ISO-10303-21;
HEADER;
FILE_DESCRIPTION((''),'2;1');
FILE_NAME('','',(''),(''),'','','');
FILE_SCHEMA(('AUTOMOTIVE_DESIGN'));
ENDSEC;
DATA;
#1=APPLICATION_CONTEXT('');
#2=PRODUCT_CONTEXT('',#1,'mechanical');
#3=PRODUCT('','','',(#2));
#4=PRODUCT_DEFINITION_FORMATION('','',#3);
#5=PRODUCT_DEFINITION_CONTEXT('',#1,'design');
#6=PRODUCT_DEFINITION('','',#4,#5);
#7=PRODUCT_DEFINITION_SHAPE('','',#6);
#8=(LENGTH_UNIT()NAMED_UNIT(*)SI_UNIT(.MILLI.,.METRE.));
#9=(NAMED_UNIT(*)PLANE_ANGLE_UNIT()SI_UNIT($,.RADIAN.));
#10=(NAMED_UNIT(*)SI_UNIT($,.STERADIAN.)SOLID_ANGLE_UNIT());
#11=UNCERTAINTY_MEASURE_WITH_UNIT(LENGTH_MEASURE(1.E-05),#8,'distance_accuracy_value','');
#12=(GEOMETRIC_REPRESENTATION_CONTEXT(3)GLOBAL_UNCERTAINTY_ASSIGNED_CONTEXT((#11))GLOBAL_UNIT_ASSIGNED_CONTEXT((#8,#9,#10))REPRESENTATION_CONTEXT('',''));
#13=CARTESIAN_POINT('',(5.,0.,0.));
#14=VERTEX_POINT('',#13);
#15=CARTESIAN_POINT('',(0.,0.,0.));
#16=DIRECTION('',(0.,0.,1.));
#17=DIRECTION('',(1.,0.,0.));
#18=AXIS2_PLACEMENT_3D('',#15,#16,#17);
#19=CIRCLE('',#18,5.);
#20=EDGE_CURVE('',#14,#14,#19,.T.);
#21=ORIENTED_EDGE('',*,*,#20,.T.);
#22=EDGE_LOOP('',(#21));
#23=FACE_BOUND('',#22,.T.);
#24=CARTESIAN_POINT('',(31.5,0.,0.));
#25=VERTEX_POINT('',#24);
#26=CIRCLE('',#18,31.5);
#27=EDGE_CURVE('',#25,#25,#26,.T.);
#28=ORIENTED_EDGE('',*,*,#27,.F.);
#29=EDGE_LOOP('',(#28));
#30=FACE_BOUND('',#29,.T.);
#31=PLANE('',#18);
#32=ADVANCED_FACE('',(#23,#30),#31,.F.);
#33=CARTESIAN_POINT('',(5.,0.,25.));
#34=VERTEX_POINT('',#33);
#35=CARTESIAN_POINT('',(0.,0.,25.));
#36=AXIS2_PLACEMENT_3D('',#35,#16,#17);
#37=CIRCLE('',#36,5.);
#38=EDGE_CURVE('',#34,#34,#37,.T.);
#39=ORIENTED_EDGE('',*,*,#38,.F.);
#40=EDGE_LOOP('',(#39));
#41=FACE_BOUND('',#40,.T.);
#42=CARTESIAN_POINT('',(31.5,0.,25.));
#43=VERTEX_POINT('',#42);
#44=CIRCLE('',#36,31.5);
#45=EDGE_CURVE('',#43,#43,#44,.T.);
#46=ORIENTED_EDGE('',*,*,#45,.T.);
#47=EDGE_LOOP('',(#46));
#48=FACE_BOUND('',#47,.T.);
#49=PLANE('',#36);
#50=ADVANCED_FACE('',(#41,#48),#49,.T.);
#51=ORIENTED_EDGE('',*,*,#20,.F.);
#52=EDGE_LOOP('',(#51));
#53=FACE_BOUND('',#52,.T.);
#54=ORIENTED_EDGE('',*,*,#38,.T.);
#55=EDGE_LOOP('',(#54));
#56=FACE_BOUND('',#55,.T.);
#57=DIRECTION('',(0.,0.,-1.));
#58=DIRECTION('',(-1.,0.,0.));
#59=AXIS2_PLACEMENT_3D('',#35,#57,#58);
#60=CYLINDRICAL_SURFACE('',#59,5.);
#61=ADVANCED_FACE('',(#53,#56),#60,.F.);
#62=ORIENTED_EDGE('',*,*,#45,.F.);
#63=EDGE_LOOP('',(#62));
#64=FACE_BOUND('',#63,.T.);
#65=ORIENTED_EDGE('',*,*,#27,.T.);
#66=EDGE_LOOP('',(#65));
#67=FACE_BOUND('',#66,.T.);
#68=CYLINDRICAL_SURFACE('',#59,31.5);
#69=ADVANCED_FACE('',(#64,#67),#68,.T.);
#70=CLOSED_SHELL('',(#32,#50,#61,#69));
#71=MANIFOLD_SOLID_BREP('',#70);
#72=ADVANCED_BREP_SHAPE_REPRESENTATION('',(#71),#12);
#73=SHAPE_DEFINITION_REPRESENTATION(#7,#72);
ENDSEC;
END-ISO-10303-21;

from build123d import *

# Parameters (mm, degrees)
SKETCH_1_R      = 31.5
SKETCH_1_R_2    = 5
EXTRUDE_1_DEPTH = 25


with BuildPart() as part:
    # Эскиз1 → Вытянуть1 (new body)
    with BuildSketch(Plane.XY):
        Circle(SKETCH_1_R)
        Circle(SKETCH_1_R_2, mode=Mode.SUBTRACT)
    extrude(amount=EXTRUDE_1_DEPTH)


solid = part.part
